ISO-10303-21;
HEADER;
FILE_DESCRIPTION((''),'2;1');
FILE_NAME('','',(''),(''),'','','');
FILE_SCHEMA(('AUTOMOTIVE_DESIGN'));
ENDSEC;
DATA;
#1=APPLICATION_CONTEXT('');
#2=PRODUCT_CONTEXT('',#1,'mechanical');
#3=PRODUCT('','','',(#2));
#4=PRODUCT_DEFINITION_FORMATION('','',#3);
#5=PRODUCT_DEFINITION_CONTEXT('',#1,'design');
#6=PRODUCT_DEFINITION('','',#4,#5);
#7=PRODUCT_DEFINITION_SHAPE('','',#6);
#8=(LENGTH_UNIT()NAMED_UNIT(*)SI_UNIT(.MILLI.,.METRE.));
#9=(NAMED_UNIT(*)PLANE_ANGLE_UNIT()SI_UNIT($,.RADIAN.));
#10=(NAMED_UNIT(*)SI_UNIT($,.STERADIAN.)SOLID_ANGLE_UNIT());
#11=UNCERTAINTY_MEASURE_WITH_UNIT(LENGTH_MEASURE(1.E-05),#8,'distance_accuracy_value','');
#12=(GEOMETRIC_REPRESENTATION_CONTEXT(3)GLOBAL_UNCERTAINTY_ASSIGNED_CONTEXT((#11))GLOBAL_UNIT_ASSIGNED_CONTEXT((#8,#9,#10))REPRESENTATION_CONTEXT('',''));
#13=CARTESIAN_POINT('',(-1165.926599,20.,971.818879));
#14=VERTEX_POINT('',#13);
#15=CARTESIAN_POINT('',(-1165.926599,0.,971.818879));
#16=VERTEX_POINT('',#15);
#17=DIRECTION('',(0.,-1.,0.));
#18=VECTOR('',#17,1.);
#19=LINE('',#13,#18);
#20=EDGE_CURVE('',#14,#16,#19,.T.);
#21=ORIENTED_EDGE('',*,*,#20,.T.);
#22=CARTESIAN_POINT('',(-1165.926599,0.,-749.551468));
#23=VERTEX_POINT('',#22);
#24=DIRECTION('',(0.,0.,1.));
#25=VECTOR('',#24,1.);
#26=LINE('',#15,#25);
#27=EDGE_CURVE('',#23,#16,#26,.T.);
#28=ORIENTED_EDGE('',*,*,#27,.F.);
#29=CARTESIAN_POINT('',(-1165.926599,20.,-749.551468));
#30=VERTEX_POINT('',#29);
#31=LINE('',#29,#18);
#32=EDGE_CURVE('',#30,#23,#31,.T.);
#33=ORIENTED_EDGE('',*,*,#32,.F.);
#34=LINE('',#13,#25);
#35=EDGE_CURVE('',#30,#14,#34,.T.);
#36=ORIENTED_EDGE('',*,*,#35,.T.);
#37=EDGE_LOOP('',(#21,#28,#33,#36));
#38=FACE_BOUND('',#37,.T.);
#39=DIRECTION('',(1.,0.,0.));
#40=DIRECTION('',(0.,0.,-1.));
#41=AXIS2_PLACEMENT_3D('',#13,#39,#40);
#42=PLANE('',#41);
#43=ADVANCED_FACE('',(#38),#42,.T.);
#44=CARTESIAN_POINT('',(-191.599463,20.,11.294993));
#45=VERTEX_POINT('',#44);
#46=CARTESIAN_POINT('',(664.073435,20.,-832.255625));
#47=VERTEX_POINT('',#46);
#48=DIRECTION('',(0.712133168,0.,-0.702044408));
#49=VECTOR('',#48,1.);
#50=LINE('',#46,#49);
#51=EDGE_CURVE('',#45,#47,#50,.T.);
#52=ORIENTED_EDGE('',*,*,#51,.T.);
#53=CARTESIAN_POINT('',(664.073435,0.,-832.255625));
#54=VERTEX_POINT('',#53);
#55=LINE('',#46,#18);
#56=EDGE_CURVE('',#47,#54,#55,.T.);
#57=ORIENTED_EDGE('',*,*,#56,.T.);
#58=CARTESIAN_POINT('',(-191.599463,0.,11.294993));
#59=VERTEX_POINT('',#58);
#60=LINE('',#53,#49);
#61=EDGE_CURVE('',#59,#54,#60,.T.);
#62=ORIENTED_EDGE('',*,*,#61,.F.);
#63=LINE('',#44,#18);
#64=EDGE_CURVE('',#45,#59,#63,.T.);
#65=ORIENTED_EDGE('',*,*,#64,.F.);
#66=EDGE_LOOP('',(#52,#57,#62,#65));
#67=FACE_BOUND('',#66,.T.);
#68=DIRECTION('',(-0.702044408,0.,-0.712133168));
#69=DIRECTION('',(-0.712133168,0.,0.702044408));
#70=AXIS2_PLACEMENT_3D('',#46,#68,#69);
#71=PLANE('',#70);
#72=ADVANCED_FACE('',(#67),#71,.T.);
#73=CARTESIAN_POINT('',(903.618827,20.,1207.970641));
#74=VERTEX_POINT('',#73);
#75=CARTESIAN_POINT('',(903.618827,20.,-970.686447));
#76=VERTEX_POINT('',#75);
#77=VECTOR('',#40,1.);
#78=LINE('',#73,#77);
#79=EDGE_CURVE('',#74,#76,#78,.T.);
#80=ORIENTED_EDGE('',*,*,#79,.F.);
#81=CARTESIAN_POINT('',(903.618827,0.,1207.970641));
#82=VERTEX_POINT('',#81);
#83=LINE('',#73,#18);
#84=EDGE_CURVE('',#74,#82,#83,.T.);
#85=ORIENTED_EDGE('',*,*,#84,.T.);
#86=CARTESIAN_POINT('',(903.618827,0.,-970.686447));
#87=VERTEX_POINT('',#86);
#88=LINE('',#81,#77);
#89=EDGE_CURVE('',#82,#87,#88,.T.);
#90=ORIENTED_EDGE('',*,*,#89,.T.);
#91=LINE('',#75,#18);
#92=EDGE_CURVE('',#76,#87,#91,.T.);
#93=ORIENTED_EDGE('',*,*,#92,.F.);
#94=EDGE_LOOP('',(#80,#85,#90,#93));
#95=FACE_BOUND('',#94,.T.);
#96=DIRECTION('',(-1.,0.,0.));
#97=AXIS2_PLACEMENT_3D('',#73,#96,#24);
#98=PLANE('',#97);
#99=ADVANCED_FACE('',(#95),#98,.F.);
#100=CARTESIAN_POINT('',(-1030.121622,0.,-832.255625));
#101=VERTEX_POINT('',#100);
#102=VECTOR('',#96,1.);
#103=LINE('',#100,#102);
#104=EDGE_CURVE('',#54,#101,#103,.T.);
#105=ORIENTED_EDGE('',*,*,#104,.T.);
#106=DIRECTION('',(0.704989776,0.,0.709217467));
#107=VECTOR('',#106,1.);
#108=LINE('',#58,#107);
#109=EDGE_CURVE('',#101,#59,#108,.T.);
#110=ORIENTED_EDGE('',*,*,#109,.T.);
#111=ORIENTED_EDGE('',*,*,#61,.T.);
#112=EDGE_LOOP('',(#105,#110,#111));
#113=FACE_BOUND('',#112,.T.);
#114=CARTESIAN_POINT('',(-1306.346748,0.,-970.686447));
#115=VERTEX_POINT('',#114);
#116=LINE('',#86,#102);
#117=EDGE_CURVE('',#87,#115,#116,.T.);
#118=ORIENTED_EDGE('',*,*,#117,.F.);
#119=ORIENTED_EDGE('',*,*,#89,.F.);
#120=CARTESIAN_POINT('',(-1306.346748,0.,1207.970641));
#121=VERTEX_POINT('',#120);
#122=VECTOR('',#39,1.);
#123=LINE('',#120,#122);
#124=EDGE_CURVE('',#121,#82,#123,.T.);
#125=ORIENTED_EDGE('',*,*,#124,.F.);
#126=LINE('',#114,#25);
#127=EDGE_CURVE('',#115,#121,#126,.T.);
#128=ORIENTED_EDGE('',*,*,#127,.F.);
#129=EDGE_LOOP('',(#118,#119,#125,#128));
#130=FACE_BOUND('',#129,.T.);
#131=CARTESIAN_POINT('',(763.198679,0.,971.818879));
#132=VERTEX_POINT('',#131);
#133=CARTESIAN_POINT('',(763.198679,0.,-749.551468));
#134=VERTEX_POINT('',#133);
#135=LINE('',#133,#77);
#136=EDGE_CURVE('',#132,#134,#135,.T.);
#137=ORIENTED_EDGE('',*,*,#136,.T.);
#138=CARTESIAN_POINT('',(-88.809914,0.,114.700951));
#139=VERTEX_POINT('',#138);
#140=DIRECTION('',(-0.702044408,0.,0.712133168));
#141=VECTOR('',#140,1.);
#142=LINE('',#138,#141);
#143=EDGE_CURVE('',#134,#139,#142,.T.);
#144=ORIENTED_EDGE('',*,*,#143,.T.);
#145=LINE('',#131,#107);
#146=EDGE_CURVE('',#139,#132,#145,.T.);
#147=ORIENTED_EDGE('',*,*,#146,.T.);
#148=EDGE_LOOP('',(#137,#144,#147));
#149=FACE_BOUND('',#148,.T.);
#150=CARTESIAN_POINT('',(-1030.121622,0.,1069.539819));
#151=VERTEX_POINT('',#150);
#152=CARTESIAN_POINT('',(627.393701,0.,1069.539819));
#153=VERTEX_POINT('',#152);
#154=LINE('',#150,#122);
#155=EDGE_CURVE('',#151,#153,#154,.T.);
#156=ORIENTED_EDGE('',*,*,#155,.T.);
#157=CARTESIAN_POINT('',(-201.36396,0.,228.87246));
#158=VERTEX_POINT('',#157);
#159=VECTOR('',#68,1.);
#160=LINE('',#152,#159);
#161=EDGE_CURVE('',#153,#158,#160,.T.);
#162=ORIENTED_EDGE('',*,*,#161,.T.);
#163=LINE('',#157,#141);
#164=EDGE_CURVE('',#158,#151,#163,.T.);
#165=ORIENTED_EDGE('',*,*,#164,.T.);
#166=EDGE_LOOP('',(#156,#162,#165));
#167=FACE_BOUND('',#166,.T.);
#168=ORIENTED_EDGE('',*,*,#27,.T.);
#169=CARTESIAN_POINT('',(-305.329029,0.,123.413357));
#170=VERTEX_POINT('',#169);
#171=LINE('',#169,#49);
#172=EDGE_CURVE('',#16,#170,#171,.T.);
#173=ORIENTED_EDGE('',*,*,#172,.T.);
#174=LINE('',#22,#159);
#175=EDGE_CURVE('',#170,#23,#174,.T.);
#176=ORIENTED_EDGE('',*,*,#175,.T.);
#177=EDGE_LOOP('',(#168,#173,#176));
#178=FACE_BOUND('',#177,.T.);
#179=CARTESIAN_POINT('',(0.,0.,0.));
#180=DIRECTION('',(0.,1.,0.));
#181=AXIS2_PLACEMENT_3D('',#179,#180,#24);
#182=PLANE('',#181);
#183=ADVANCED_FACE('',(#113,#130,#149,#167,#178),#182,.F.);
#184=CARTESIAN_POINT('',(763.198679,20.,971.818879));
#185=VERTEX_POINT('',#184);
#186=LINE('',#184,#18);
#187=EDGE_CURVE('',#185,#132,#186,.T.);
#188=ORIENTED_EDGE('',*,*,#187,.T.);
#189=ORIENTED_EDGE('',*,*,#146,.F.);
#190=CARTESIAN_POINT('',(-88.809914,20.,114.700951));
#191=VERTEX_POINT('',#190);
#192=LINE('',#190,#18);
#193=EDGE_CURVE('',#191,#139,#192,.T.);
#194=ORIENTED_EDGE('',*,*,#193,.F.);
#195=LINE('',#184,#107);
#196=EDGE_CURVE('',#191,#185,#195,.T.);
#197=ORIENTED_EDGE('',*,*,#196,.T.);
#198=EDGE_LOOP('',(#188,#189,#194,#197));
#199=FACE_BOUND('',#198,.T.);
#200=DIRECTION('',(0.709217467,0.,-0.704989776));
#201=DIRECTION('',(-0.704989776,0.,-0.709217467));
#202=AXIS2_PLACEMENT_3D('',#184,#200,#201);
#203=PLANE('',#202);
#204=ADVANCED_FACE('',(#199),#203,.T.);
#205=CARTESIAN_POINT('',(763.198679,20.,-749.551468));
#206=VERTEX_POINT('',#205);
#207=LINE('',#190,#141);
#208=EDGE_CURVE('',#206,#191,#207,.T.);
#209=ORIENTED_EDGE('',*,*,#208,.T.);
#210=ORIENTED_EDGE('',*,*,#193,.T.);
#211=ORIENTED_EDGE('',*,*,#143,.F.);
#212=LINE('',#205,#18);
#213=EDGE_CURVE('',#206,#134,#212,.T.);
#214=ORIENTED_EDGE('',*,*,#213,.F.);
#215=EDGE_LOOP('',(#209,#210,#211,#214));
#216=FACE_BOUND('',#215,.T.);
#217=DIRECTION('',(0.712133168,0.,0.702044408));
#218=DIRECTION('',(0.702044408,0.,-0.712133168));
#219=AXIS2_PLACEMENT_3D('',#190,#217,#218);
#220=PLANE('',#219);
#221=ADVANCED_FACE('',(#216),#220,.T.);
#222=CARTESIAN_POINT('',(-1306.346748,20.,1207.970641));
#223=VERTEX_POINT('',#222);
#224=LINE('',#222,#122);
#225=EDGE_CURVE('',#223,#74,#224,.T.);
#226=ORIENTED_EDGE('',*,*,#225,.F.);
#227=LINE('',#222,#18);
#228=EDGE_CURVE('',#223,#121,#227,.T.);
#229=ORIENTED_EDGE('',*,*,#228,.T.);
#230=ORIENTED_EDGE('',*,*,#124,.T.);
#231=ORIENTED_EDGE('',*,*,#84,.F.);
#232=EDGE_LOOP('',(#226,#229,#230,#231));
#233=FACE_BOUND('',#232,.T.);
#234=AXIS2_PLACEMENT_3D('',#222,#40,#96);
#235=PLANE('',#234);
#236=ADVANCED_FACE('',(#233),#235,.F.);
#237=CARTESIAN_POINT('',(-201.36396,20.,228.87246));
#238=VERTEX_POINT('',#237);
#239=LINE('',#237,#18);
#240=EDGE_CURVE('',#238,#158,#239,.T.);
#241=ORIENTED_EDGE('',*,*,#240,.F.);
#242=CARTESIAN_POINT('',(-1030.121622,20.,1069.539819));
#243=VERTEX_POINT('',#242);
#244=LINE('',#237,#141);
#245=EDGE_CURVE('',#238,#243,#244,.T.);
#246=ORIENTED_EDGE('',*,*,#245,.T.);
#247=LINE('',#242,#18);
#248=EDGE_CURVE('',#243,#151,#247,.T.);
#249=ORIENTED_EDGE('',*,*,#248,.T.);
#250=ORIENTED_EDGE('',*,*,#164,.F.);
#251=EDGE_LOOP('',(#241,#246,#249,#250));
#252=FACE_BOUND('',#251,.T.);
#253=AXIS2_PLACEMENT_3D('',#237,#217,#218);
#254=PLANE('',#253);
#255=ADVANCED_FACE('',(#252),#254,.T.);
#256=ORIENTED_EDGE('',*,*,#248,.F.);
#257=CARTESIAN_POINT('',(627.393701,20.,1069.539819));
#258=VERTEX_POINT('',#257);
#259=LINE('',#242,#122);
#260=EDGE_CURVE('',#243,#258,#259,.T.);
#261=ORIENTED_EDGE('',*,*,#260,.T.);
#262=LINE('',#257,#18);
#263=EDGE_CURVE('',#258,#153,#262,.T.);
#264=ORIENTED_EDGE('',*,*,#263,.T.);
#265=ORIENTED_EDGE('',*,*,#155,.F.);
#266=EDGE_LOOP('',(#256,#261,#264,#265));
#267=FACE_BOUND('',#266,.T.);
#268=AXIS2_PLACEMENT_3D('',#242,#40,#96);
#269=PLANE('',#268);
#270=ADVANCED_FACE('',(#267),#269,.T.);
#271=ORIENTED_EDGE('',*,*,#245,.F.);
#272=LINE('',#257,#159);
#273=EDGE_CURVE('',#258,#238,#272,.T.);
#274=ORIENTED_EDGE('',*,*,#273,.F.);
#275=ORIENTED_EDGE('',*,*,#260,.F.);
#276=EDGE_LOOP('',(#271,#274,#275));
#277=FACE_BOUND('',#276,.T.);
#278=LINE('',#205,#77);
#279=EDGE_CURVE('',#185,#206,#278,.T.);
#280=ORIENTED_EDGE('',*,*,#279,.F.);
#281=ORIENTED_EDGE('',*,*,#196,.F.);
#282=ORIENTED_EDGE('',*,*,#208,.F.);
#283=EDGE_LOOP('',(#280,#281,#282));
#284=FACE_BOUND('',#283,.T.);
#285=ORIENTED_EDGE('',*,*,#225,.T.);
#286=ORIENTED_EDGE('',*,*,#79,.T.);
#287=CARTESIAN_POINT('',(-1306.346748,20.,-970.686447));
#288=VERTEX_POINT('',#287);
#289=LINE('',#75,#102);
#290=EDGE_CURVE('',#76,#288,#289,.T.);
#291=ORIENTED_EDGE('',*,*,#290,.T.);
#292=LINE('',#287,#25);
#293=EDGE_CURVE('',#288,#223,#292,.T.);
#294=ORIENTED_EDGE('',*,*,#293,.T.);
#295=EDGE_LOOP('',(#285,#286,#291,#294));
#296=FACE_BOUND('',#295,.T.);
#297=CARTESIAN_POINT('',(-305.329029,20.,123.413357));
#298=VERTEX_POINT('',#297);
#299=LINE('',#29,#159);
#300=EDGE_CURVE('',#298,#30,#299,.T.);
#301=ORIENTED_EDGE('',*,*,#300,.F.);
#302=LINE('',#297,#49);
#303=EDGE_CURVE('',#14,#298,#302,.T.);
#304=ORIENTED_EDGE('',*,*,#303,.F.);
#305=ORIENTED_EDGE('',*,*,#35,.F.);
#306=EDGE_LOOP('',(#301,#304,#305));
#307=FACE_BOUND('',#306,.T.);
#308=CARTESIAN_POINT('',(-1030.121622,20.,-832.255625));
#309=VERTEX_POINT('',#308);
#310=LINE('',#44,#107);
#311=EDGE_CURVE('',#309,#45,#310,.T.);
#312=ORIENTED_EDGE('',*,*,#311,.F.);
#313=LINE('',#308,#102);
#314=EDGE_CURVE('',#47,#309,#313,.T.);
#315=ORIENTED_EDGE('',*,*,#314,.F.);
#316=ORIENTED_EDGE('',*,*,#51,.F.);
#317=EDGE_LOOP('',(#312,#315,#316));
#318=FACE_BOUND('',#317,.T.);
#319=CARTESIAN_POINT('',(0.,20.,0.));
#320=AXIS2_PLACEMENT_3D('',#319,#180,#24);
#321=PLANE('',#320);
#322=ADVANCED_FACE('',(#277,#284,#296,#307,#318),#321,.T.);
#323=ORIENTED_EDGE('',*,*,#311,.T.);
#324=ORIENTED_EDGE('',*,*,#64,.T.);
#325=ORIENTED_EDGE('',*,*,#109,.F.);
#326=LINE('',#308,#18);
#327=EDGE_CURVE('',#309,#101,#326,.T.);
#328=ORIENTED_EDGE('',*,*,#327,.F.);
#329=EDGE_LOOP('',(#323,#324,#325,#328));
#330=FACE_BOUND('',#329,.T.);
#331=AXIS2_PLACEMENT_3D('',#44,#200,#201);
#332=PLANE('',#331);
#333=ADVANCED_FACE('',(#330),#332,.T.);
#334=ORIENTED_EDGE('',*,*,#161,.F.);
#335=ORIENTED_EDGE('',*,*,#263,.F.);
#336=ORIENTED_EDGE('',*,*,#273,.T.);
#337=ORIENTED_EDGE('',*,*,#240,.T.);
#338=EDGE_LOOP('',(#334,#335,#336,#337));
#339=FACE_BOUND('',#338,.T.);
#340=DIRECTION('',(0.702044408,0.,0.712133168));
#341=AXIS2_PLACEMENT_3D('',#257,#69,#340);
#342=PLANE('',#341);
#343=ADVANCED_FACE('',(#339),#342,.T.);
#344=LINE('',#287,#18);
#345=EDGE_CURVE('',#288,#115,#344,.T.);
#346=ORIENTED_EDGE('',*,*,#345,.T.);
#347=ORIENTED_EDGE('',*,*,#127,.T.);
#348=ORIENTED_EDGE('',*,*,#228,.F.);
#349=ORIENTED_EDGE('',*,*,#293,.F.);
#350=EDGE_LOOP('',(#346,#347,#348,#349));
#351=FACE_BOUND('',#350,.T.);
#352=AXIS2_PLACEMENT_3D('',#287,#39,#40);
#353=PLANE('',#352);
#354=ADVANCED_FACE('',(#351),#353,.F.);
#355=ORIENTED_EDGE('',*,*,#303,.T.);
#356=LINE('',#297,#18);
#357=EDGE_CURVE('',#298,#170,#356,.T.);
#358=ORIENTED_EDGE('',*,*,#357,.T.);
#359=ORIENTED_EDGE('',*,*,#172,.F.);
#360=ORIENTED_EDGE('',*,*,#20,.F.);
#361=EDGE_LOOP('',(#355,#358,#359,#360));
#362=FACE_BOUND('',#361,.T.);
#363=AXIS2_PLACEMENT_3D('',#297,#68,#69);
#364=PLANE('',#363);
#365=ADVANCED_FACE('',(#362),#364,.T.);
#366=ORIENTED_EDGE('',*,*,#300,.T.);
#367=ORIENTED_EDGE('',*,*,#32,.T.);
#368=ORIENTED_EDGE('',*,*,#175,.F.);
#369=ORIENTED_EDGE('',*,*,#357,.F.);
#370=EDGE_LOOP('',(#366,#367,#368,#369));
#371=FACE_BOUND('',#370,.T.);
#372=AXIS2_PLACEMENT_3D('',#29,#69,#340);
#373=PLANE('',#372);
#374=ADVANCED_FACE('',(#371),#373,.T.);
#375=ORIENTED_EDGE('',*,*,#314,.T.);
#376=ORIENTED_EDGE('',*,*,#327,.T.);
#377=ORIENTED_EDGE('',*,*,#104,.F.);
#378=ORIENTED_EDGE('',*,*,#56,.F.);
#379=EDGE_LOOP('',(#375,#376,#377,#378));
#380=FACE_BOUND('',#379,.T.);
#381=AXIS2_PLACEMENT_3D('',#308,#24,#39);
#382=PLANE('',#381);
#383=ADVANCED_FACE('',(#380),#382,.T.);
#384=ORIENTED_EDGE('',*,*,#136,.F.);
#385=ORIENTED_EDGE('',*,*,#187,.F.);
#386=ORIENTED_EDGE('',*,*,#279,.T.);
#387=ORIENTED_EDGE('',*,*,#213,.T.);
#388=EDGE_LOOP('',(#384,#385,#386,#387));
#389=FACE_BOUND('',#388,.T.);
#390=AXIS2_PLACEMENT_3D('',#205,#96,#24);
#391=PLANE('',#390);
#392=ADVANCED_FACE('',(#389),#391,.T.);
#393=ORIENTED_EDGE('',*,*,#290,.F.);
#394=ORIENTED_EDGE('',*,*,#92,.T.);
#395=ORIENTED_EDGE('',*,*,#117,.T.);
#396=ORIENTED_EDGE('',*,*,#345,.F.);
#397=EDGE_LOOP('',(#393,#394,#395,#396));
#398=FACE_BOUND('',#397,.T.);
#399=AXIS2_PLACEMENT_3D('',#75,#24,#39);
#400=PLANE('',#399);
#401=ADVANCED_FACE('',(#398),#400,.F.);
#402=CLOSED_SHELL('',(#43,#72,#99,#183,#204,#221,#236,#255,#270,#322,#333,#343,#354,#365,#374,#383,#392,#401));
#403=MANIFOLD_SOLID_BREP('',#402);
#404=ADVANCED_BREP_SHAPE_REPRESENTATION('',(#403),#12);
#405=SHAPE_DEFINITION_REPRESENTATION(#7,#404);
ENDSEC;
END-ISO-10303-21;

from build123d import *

# Parameters (mm, degrees)
SKETCH_5_W      = 2209.965574324
SKETCH_5_H      = 2178.657088224
EXTRUDE_1_DEPTH = 20


with BuildPart() as part:
    # 草图5 → 凸台-拉伸1 (new body)
    with BuildSketch(Plane(origin=(0, 0, 0), x_dir=(1, 0, 0), z_dir=(0, 1, 0))):
        with Locations((-201.363960341, -118.642097246)):
            Rectangle(SKETCH_5_W, SKETCH_5_H)
        Polygon((-1165.926599204, 749.551468133), (-305.329028983, -123.413356765), (-1165.926599204, -971.818878667), align=None, mode=Mode.SUBTRACT)
        Polygon((-1030.12162171, 832.255624695), (664.07343499, 832.255624695), (-191.599463217, -11.294992808), align=None, mode=Mode.SUBTRACT)
        Polygon((-88.80991437, -114.700951165), (763.198678521, 749.551468133), (763.198678521, -971.818878667), align=None, mode=Mode.SUBTRACT)
        Polygon((-201.363960341, -228.872459931), (-1030.12162171, -1069.539819188), (627.393701027, -1069.539819188), align=None, mode=Mode.SUBTRACT)
    extrude(amount=EXTRUDE_1_DEPTH)


solid = part.part
